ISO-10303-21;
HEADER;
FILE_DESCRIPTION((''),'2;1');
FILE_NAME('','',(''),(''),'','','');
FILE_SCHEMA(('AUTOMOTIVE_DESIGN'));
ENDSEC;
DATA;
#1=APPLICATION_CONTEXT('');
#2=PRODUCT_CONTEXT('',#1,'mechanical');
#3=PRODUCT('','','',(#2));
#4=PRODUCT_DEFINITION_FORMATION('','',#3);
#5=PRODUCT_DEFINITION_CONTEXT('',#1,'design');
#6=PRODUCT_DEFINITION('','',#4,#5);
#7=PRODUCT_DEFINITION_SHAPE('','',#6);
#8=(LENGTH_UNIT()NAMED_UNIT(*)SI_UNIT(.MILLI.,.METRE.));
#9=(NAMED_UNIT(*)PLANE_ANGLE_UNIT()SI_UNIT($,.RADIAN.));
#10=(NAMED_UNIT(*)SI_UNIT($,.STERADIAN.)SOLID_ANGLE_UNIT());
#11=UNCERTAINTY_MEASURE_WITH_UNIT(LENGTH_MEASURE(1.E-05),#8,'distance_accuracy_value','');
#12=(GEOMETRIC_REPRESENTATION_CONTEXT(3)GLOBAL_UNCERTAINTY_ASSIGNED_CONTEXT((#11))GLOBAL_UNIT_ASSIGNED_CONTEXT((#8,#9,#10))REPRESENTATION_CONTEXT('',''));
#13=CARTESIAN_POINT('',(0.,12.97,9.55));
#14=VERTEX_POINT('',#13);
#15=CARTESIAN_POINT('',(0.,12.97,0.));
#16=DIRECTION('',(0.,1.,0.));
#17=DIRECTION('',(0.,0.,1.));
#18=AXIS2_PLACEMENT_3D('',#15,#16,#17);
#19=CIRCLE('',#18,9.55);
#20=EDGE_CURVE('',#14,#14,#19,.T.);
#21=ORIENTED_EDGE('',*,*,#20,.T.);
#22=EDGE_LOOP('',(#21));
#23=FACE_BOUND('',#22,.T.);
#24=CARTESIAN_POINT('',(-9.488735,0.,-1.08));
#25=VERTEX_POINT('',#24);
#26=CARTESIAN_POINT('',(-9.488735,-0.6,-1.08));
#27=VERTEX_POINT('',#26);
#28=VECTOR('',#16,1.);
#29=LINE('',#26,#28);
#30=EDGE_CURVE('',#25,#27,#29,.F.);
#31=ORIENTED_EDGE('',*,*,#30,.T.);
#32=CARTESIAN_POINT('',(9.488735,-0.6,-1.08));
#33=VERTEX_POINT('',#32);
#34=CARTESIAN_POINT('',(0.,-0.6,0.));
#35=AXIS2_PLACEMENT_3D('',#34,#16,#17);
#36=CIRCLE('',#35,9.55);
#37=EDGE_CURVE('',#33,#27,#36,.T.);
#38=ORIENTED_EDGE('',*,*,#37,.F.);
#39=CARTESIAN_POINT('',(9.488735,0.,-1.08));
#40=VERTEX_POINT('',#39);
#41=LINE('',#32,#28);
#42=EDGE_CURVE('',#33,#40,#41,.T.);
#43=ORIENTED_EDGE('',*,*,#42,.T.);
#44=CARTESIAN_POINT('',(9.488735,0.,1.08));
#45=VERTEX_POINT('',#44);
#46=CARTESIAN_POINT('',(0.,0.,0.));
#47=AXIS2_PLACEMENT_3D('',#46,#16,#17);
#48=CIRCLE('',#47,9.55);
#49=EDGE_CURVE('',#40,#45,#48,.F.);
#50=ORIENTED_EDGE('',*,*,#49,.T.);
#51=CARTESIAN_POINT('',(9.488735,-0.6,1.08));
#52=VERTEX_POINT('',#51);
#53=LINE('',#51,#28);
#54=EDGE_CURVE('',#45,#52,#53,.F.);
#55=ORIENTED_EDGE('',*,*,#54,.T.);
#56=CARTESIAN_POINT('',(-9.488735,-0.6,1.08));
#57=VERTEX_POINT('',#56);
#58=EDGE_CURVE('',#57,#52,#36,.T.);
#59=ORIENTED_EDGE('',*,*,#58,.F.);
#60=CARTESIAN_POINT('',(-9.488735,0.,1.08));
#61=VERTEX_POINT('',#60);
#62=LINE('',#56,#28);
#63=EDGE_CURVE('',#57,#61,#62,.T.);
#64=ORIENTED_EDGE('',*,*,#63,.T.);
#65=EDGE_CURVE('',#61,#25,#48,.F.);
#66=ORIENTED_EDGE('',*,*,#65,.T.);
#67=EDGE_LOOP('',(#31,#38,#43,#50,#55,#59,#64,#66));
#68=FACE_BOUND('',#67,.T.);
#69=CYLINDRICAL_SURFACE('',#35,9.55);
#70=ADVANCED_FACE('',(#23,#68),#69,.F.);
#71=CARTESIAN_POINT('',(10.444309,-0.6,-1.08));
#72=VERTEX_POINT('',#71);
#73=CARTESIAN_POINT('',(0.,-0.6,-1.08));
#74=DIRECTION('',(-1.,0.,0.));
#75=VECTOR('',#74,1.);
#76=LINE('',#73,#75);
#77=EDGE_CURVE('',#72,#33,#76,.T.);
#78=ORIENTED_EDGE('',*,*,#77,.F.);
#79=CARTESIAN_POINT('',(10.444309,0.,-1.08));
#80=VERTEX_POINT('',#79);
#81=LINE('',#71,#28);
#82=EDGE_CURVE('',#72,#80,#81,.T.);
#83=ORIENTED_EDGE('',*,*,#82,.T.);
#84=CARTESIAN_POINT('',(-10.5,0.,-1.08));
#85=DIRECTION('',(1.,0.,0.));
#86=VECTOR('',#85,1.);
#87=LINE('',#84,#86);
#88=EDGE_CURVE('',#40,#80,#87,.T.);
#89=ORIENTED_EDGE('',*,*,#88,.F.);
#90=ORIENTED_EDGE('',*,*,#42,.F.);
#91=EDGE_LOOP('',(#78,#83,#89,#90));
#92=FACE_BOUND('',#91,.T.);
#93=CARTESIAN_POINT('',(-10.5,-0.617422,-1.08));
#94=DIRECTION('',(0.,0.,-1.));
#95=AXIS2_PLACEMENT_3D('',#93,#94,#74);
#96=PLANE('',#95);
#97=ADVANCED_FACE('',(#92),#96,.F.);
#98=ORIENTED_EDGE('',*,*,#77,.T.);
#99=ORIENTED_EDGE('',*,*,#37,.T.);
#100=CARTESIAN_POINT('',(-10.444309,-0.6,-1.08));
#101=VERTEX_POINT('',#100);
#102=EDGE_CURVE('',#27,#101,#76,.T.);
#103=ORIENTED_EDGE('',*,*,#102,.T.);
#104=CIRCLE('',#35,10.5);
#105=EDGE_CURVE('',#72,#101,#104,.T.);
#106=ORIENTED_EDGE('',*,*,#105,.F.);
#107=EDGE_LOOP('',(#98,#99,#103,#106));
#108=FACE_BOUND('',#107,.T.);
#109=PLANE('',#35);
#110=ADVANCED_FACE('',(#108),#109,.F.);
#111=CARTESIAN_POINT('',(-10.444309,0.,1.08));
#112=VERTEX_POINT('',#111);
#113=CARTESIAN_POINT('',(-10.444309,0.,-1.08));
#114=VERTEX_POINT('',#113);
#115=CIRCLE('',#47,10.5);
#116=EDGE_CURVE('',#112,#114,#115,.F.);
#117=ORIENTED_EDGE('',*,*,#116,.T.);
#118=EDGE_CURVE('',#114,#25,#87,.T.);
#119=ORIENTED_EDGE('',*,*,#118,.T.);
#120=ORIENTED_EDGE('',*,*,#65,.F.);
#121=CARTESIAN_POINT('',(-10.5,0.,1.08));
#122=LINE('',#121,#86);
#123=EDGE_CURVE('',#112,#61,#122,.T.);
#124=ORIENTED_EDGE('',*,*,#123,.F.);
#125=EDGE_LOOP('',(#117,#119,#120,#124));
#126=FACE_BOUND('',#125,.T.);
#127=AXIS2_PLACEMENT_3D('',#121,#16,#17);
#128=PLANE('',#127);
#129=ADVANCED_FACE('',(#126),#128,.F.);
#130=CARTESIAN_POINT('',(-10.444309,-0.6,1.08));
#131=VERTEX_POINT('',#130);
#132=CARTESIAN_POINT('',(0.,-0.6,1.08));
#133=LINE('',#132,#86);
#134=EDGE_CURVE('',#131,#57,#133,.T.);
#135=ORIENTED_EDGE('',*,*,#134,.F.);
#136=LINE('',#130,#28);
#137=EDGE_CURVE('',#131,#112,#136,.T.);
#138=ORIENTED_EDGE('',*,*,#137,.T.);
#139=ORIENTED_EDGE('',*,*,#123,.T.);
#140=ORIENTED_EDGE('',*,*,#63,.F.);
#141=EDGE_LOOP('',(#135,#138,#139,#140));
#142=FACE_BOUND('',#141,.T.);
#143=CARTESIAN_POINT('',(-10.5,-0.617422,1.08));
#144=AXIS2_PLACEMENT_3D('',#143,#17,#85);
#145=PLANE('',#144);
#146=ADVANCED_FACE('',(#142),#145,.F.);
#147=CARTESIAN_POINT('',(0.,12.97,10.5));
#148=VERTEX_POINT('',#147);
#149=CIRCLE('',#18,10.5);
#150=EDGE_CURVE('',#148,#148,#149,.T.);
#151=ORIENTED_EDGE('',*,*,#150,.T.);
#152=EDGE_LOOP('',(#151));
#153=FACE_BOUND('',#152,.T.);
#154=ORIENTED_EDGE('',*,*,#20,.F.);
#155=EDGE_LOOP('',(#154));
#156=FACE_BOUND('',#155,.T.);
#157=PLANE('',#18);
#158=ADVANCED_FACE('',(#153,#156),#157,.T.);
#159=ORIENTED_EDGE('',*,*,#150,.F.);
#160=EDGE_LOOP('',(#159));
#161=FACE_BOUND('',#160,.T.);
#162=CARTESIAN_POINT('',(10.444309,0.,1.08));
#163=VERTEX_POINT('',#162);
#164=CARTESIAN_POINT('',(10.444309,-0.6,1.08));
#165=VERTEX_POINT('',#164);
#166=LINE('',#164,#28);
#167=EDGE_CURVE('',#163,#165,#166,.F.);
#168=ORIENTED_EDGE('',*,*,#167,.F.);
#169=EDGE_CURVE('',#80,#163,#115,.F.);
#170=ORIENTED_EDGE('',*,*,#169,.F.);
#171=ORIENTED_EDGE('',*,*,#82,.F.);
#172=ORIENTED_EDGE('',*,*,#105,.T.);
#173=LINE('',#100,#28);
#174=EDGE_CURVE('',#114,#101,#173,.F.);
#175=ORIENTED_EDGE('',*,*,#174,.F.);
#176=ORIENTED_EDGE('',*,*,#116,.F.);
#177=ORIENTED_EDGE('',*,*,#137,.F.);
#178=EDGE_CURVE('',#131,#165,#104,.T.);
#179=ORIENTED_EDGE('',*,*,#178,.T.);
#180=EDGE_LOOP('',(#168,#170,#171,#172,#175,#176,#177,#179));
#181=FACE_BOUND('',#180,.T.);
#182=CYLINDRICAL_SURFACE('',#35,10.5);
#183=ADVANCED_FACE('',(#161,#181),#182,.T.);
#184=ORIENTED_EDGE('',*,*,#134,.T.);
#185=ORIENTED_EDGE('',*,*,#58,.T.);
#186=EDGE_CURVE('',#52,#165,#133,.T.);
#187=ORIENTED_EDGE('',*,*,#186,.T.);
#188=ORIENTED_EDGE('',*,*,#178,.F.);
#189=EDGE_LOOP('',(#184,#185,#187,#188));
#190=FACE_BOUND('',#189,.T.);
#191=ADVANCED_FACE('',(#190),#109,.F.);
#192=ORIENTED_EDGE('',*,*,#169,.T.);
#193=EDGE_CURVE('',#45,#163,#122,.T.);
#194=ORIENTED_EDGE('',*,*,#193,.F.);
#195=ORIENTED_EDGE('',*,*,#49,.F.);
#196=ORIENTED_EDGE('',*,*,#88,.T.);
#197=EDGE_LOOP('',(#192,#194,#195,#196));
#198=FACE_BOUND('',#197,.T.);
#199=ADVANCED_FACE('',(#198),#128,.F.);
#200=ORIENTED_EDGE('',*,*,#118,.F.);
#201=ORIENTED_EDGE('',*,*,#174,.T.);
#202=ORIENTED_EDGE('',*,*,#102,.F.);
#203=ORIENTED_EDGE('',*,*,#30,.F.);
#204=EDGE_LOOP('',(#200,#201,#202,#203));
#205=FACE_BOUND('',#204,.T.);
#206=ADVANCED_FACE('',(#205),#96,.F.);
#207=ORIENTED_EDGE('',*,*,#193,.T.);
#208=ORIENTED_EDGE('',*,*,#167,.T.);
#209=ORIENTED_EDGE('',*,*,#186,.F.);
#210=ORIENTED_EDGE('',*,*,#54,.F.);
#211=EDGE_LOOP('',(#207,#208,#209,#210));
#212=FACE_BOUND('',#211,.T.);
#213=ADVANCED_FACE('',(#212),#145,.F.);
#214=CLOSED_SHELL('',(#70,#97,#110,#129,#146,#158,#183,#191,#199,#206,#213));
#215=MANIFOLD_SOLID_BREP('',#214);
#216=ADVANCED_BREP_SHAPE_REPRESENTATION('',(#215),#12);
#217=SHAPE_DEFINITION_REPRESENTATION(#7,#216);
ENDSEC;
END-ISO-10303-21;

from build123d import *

# Parameters (mm, degrees)
BOSS_EXTRUDE1_DEPTH      = 12.97
BOSS_EXTRUDE1_DEPTH_BACK = 0.6
SKETCH1_R                = 10.5
SKETCH1_R_2              = 9.55
CUT_EXTRUDE1_DEPTH       = 20.716006188
CUT_EXTRUDE1_DEPTH_BACK  = 20.716006188
SKETCH2_W                = 2.16
SKETCH2_H                = 0.617422303


with BuildPart() as part:
    # Sketch1 → Boss-Extrude1 (new, two sides: drawn at the far end of the back side and taken through both)
    with BuildSketch(Plane(origin=(0, 0, 0), x_dir=(1, 0, 0), z_dir=(0, 1, 0)).offset(-BOSS_EXTRUDE1_DEPTH_BACK)):
        with Locations(Location((0, 0, 0), (0, 0, 270))):
            Circle(SKETCH1_R)
        with Locations(Location((0, 0, 0), (0, 0, 270))):
            Circle(SKETCH1_R_2, mode=Mode.SUBTRACT)
    extrude(amount=BOSS_EXTRUDE1_DEPTH + BOSS_EXTRUDE1_DEPTH_BACK)

    # Sketch2 → Cut-Extrude1 (cut, two sides: drawn at the far end of the back side and taken through both)
    with BuildSketch(Plane(origin=(0, 0, 0), x_dir=(0, 0, -1), z_dir=(1, 0, 0)).offset(-CUT_EXTRUDE1_DEPTH_BACK)):
        with Locations((0, -0.308711152)):
            Rectangle(SKETCH2_W, SKETCH2_H)
    extrude(amount=CUT_EXTRUDE1_DEPTH + CUT_EXTRUDE1_DEPTH_BACK, mode=Mode.SUBTRACT)


solid = part.part
